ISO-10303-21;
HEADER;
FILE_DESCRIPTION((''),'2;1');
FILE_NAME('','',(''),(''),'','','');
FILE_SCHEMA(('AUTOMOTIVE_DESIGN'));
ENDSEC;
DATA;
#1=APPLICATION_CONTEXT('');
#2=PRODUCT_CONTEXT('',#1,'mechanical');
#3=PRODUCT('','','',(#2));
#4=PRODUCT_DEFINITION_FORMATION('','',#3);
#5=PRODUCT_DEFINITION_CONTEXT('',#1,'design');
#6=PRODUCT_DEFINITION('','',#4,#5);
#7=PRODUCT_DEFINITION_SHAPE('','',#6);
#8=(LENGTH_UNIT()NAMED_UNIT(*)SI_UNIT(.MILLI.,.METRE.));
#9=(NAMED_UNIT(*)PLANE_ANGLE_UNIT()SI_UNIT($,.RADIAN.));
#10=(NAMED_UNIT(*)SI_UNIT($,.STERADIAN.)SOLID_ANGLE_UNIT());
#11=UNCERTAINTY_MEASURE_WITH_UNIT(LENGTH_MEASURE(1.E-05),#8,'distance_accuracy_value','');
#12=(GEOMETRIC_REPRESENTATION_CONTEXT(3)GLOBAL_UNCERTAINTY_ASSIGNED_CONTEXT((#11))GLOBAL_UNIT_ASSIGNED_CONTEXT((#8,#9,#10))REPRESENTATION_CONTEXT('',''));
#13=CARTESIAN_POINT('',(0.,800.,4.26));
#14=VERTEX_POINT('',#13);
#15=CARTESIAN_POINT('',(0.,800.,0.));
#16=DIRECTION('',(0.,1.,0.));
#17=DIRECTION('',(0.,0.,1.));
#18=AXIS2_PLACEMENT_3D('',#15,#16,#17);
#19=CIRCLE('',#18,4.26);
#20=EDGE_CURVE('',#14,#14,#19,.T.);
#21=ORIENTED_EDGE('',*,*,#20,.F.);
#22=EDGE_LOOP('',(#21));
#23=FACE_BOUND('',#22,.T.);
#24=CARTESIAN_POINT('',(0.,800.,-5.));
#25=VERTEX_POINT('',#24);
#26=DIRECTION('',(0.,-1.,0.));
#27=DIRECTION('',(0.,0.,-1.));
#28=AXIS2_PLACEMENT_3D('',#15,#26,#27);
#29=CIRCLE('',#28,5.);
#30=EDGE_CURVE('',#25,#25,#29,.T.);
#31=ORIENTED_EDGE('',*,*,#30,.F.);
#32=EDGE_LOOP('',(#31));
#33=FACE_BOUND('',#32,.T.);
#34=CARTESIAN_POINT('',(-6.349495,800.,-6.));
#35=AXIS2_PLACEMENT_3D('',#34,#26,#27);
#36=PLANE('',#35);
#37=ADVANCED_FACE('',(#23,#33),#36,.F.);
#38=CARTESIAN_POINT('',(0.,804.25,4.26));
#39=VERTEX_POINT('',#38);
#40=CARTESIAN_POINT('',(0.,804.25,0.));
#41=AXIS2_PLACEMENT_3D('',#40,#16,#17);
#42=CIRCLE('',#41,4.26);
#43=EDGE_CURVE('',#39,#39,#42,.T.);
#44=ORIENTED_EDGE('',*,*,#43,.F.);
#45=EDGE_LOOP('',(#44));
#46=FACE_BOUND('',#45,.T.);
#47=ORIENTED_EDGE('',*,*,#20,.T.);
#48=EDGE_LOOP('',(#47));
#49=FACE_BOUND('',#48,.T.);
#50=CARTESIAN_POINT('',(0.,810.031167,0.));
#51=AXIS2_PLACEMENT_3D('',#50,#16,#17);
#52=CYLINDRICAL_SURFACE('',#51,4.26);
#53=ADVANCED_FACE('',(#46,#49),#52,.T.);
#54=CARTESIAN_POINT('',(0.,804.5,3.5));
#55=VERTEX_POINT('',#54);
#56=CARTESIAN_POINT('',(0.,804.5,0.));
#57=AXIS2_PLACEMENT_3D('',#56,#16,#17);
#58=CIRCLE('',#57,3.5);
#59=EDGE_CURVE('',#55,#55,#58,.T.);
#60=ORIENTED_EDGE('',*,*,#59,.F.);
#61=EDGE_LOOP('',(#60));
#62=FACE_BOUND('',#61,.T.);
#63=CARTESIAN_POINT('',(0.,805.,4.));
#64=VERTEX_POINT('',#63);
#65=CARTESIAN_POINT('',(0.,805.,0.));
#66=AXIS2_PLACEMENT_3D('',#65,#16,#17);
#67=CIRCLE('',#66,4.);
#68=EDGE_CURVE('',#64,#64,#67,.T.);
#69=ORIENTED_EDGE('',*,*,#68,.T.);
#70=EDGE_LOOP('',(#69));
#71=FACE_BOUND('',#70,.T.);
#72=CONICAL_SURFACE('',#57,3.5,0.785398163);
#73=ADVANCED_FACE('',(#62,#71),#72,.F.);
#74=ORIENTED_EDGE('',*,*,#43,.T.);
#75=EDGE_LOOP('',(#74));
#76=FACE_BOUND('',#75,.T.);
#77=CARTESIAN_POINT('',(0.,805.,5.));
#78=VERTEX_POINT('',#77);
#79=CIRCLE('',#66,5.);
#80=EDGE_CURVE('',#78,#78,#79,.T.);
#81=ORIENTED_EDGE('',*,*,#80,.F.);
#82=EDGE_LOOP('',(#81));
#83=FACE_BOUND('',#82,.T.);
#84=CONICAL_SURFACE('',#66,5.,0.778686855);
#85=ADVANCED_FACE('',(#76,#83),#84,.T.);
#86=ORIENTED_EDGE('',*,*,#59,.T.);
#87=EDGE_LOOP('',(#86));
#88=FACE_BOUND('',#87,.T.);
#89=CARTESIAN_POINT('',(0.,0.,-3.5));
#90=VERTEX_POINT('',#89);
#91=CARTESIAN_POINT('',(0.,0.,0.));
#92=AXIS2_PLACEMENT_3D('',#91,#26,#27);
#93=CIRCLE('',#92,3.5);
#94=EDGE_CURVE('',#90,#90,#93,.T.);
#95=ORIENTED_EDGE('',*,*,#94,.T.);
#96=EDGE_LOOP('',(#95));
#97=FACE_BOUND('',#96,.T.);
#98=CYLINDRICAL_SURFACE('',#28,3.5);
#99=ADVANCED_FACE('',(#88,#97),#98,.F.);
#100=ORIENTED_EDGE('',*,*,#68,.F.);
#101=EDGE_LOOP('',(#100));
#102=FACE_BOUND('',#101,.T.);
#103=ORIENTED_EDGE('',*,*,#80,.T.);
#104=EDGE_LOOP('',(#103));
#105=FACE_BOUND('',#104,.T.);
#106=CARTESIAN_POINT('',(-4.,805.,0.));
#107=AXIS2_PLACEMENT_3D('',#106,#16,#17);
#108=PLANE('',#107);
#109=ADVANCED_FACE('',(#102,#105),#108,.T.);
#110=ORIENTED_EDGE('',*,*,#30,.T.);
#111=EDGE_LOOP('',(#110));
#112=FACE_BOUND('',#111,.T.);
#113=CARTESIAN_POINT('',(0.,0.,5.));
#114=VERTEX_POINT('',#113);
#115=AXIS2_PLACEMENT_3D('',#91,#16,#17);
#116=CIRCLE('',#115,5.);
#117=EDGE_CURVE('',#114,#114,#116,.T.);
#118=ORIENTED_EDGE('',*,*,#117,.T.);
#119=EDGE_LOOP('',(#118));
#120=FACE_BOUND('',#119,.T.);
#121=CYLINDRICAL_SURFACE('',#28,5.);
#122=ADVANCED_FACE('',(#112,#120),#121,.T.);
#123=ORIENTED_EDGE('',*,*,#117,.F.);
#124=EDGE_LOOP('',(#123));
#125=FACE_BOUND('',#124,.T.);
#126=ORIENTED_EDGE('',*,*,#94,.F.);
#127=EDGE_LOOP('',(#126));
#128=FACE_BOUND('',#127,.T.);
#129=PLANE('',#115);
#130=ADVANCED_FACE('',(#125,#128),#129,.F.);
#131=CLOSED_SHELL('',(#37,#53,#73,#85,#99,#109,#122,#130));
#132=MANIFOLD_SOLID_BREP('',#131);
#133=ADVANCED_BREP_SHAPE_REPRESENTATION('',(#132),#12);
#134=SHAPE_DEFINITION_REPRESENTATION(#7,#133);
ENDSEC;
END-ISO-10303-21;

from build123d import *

# Parameters (mm, degrees)
CROQUIS1_R                 = 5
SALIENTE_EXTRUIR1_DEPTH    = 800
CROQUIS2_R                 = 3.5
CORTAR_EXTRUIR1_DEPTH      = 801
CROQUIS3_R                 = 6
SALIENTE_EXTRUIR2_DEPTH    = 1
CROQUIS4_R                 = 3.5
CORTAR_EXTRUIR3_DEPTH      = 1
CHAFL_N1_SIZE              = 1
CROQUIS5_W                 = 13.367882917
CROQUIS5_H                 = 1.687826657
CORTAR_EXTRUIR4_DEPTH      = 7
CORTAR_EXTRUIR4_DEPTH_BACK = 7


with BuildPart() as part:
    # Croquis1 → Saliente-Extruir1 (new body)
    with BuildSketch(Plane(origin=(0, 0, 0), x_dir=(1, 0, 0), z_dir=(0, 1, 0))):
        Circle(CROQUIS1_R)
    extrude(amount=SALIENTE_EXTRUIR1_DEPTH)

    # Croquis2 → Cortar-Extruir1 (cut, through all)
    with BuildSketch(Plane.XZ):
        Circle(CROQUIS2_R)
    extrude(amount=-CORTAR_EXTRUIR1_DEPTH, mode=Mode.SUBTRACT)

    # Croquis3 → Saliente-Extruir2 (add)
    with BuildSketch(Plane(origin=(0, 800, 0), x_dir=(1, 0, 0), z_dir=(0, 1, 0))):
        Circle(CROQUIS3_R)
    extrude(amount=SALIENTE_EXTRUIR2_DEPTH)

    # Croquis4 → Cortar-Extruir3 (cut)
    with BuildSketch(Plane(origin=(0, 801, 0), x_dir=(1, 0, 0), z_dir=(0, 1, 0))):
        Circle(CROQUIS4_R)
    extrude(amount=-CORTAR_EXTRUIR3_DEPTH, mode=Mode.SUBTRACT)

    # Chaflán1
    chafl_n1_edges = [part.edges().sort_by_distance(p)[0] for p in [
        (-3.5, 801, 0),
    ]]
    chamfer(chafl_n1_edges, length=CHAFL_N1_SIZE)

    # Croquis5 → Cortar-Extruir4 (cut, two sides)
    with BuildSketch(Plane.XY) as cortar_extruir4_sk:
        with Locations((0.334446828, 800.843913329)):
            Rectangle(CROQUIS5_W, CROQUIS5_H)
    extrude(amount=CORTAR_EXTRUIR4_DEPTH, mode=Mode.SUBTRACT)
    extrude(cortar_extruir4_sk.sketch, amount=-CORTAR_EXTRUIR4_DEPTH_BACK, mode=Mode.SUBTRACT)

    # Croquis6 → Revolución1 (revolve)
    with BuildSketch(Plane.XY):
        Polygon((-3.5, 800), (-3.5, 804.5), (-4, 805), (-5, 805), (-4.26, 804.25), (-4.26, 800), align=None)
    revolve(axis=Axis((0, 810.031166981, 0), (0, -1, 0)))


solid = part.part
